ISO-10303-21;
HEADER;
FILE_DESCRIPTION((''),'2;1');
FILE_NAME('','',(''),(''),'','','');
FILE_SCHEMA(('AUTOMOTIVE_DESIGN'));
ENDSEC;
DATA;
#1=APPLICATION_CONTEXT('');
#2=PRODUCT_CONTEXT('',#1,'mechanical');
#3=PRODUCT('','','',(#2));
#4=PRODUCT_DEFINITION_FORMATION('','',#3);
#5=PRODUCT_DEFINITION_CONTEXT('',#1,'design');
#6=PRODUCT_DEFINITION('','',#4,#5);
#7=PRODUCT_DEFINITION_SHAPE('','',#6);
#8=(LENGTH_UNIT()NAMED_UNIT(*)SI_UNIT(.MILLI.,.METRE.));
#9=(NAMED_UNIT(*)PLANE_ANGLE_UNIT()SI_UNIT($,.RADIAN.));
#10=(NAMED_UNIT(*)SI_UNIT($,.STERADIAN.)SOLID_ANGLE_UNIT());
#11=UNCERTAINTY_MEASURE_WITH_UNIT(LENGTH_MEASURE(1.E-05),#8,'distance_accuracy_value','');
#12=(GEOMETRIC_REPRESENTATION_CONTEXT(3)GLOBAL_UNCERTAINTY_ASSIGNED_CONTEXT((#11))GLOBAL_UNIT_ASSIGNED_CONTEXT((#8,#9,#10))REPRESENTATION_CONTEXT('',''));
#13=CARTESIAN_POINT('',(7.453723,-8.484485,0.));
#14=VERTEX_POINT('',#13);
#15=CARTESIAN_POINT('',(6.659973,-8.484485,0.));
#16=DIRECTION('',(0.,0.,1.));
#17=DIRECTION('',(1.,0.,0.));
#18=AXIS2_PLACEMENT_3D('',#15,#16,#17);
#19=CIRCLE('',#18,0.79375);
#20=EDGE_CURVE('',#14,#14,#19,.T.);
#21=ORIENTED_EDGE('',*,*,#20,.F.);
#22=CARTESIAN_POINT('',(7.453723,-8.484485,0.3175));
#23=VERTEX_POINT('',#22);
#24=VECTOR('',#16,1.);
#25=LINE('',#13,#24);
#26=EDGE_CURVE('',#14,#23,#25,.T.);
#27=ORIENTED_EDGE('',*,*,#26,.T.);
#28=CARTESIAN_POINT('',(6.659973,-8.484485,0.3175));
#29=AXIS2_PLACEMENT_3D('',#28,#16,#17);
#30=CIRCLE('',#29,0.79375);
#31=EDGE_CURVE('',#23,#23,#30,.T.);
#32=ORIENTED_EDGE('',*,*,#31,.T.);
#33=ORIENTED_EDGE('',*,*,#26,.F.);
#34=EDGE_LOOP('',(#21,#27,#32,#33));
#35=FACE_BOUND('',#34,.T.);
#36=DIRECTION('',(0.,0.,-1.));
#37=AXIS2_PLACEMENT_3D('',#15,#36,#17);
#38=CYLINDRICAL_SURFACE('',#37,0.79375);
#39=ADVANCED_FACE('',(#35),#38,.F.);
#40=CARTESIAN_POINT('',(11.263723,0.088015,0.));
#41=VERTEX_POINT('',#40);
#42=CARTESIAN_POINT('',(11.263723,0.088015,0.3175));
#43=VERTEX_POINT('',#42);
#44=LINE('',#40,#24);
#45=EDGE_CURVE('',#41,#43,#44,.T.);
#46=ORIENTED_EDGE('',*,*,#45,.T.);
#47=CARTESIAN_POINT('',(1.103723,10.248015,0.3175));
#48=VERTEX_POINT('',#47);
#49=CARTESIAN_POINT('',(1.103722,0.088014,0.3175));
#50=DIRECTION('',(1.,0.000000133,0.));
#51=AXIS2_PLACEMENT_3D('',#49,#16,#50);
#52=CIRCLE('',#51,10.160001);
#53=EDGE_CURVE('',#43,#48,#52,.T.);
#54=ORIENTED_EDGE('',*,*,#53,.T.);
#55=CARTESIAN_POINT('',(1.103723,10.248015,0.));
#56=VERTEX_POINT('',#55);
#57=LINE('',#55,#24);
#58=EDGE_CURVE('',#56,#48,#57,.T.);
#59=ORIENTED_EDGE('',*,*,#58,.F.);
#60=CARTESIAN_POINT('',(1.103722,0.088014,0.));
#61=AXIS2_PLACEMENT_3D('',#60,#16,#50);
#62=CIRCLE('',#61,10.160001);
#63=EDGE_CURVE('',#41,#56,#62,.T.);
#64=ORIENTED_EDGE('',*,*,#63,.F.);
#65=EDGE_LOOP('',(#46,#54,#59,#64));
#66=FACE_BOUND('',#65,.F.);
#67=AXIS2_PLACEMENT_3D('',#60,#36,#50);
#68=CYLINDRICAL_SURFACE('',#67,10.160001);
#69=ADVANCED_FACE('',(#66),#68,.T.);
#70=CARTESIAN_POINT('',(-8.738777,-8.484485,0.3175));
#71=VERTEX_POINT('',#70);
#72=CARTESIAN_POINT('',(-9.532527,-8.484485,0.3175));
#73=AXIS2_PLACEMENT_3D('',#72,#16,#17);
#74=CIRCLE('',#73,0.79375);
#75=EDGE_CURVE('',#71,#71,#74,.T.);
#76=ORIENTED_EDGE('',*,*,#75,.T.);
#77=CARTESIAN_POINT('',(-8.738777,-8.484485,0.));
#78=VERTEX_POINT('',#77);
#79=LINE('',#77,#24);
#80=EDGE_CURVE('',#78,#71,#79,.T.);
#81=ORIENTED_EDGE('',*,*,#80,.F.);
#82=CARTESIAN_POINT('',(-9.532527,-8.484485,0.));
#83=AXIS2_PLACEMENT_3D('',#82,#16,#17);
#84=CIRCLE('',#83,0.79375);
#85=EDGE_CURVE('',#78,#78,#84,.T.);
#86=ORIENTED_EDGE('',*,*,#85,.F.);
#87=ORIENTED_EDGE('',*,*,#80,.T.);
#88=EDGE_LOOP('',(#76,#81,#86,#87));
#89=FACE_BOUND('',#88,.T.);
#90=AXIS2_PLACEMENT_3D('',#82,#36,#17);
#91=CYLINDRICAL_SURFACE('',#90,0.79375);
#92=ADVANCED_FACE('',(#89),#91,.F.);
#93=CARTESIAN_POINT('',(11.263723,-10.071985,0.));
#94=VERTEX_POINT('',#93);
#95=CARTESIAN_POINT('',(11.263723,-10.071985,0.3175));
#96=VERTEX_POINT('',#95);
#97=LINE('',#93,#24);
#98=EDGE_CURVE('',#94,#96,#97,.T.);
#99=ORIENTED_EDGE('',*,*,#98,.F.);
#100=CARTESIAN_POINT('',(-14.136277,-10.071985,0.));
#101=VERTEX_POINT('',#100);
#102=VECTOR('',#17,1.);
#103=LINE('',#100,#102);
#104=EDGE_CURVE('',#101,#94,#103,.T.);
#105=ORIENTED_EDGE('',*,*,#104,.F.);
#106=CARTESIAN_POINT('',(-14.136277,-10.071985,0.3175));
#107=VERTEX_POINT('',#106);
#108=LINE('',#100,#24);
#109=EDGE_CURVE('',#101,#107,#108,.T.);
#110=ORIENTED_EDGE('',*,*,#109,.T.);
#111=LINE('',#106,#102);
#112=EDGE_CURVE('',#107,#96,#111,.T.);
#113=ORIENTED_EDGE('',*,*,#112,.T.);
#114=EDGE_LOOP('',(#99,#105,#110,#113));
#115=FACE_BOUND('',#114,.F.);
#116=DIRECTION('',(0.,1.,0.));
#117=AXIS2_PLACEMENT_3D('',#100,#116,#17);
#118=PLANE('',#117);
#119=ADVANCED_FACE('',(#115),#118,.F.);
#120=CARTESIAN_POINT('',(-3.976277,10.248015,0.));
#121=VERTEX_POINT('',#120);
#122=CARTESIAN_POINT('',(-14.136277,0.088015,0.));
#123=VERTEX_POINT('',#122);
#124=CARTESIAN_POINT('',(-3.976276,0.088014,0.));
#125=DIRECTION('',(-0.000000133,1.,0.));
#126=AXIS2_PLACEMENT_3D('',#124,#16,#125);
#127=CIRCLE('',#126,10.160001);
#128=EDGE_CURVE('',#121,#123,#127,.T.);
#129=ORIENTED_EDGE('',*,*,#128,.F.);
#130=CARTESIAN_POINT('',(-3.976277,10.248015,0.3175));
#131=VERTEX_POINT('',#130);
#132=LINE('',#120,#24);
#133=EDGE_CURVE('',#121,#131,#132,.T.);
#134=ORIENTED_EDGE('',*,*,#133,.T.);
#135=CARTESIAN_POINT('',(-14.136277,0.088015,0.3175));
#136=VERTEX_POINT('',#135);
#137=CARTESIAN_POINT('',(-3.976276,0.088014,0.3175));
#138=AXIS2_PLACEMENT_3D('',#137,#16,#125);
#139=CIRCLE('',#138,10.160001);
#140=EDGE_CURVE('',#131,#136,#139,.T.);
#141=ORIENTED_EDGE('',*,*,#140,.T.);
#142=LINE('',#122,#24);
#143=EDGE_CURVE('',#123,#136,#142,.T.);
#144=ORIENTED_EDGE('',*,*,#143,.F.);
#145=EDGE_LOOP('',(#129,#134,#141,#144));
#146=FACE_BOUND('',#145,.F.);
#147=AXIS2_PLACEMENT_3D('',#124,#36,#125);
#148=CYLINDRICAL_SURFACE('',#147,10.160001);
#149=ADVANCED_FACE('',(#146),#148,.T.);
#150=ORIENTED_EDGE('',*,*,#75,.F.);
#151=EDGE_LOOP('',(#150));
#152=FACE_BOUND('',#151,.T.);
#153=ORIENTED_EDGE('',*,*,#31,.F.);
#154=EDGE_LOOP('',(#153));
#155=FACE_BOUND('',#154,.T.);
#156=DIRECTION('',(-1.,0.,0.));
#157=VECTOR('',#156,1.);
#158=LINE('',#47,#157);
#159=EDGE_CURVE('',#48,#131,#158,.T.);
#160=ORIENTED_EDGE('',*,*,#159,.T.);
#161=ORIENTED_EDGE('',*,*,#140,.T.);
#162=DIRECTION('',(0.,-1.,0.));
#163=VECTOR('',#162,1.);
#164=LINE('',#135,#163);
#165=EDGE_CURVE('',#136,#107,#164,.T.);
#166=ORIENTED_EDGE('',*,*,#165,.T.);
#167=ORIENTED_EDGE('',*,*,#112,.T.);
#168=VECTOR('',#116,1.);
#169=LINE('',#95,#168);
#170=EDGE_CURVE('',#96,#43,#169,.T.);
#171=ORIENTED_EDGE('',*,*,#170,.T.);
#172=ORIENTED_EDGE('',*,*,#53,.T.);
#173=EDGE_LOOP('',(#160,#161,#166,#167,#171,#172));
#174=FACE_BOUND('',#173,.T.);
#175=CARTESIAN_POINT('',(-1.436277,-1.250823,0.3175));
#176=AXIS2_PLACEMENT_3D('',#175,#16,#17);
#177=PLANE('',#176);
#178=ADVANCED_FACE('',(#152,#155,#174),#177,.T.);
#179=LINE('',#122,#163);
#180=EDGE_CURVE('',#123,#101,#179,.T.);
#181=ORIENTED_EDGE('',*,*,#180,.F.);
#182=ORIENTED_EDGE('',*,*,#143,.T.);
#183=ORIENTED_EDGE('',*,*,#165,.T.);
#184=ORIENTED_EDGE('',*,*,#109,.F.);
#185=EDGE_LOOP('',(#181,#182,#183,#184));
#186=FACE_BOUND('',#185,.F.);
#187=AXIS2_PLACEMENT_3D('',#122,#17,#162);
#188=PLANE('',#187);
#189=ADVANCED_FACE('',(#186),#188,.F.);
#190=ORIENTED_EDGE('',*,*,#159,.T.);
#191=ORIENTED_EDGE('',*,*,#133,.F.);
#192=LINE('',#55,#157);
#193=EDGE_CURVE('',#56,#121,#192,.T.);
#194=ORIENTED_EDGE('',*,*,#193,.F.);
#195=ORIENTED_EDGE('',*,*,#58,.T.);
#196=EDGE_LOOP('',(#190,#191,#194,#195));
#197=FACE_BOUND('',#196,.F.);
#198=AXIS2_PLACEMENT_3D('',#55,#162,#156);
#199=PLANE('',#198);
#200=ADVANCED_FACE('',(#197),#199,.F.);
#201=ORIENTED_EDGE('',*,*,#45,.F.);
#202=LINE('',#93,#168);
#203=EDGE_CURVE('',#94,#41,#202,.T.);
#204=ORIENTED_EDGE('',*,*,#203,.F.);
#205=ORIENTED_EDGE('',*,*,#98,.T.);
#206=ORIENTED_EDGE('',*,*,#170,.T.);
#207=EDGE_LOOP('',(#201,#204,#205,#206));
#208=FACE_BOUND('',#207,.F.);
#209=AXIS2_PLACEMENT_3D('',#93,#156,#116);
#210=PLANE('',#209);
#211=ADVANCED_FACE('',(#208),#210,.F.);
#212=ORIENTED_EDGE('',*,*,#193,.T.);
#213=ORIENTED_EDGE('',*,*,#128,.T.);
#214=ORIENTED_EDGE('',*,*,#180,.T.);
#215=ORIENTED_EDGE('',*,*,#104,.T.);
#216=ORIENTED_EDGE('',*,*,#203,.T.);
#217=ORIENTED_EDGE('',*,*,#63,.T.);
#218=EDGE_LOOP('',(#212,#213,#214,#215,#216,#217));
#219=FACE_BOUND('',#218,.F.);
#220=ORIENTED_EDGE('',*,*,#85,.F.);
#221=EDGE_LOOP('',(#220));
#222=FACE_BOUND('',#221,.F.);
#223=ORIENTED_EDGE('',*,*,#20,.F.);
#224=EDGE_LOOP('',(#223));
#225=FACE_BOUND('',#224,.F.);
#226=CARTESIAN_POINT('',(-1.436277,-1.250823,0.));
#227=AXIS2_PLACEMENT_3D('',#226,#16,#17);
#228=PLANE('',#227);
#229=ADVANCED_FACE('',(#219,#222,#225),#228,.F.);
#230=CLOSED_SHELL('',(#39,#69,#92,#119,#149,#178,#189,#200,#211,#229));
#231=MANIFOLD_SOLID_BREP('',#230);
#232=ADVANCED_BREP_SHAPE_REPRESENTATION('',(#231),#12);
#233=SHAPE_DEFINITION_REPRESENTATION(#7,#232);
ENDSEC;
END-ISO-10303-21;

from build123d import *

# Parameters (mm, degrees)
F0_R     = 0.79375
F1_DEPTH = 0.3175


with BuildPart() as f1:
    # F0 (on Top) → F1 (new body)
    with BuildSketch(Plane.XY):
        with BuildLine():
            ThreePointArc((-3.976277, 10.248015), (-11.160482, 7.272219), (-14.136277, 0.088015))
            Line((-14.136277, 0.088015), (-14.136277, -10.071985))
            Line((-14.136277, -10.071985), (11.263723, -10.071985))
            Line((11.263723, -10.071985), (11.263723, 0.088015))
            ThreePointArc((11.263723, 0.088015), (8.287928, 7.272219), (1.103723, 10.248015))
            Line((1.103723, 10.248015), (-3.976277, 10.248015))
        make_face()
        with Locations((-9.532527, -8.484485)):
            Circle(F0_R, mode=Mode.SUBTRACT)
        with Locations((6.659973, -8.484485)):
            Circle(F0_R, mode=Mode.SUBTRACT)
    extrude(amount=F1_DEPTH)


solid = f1.part
